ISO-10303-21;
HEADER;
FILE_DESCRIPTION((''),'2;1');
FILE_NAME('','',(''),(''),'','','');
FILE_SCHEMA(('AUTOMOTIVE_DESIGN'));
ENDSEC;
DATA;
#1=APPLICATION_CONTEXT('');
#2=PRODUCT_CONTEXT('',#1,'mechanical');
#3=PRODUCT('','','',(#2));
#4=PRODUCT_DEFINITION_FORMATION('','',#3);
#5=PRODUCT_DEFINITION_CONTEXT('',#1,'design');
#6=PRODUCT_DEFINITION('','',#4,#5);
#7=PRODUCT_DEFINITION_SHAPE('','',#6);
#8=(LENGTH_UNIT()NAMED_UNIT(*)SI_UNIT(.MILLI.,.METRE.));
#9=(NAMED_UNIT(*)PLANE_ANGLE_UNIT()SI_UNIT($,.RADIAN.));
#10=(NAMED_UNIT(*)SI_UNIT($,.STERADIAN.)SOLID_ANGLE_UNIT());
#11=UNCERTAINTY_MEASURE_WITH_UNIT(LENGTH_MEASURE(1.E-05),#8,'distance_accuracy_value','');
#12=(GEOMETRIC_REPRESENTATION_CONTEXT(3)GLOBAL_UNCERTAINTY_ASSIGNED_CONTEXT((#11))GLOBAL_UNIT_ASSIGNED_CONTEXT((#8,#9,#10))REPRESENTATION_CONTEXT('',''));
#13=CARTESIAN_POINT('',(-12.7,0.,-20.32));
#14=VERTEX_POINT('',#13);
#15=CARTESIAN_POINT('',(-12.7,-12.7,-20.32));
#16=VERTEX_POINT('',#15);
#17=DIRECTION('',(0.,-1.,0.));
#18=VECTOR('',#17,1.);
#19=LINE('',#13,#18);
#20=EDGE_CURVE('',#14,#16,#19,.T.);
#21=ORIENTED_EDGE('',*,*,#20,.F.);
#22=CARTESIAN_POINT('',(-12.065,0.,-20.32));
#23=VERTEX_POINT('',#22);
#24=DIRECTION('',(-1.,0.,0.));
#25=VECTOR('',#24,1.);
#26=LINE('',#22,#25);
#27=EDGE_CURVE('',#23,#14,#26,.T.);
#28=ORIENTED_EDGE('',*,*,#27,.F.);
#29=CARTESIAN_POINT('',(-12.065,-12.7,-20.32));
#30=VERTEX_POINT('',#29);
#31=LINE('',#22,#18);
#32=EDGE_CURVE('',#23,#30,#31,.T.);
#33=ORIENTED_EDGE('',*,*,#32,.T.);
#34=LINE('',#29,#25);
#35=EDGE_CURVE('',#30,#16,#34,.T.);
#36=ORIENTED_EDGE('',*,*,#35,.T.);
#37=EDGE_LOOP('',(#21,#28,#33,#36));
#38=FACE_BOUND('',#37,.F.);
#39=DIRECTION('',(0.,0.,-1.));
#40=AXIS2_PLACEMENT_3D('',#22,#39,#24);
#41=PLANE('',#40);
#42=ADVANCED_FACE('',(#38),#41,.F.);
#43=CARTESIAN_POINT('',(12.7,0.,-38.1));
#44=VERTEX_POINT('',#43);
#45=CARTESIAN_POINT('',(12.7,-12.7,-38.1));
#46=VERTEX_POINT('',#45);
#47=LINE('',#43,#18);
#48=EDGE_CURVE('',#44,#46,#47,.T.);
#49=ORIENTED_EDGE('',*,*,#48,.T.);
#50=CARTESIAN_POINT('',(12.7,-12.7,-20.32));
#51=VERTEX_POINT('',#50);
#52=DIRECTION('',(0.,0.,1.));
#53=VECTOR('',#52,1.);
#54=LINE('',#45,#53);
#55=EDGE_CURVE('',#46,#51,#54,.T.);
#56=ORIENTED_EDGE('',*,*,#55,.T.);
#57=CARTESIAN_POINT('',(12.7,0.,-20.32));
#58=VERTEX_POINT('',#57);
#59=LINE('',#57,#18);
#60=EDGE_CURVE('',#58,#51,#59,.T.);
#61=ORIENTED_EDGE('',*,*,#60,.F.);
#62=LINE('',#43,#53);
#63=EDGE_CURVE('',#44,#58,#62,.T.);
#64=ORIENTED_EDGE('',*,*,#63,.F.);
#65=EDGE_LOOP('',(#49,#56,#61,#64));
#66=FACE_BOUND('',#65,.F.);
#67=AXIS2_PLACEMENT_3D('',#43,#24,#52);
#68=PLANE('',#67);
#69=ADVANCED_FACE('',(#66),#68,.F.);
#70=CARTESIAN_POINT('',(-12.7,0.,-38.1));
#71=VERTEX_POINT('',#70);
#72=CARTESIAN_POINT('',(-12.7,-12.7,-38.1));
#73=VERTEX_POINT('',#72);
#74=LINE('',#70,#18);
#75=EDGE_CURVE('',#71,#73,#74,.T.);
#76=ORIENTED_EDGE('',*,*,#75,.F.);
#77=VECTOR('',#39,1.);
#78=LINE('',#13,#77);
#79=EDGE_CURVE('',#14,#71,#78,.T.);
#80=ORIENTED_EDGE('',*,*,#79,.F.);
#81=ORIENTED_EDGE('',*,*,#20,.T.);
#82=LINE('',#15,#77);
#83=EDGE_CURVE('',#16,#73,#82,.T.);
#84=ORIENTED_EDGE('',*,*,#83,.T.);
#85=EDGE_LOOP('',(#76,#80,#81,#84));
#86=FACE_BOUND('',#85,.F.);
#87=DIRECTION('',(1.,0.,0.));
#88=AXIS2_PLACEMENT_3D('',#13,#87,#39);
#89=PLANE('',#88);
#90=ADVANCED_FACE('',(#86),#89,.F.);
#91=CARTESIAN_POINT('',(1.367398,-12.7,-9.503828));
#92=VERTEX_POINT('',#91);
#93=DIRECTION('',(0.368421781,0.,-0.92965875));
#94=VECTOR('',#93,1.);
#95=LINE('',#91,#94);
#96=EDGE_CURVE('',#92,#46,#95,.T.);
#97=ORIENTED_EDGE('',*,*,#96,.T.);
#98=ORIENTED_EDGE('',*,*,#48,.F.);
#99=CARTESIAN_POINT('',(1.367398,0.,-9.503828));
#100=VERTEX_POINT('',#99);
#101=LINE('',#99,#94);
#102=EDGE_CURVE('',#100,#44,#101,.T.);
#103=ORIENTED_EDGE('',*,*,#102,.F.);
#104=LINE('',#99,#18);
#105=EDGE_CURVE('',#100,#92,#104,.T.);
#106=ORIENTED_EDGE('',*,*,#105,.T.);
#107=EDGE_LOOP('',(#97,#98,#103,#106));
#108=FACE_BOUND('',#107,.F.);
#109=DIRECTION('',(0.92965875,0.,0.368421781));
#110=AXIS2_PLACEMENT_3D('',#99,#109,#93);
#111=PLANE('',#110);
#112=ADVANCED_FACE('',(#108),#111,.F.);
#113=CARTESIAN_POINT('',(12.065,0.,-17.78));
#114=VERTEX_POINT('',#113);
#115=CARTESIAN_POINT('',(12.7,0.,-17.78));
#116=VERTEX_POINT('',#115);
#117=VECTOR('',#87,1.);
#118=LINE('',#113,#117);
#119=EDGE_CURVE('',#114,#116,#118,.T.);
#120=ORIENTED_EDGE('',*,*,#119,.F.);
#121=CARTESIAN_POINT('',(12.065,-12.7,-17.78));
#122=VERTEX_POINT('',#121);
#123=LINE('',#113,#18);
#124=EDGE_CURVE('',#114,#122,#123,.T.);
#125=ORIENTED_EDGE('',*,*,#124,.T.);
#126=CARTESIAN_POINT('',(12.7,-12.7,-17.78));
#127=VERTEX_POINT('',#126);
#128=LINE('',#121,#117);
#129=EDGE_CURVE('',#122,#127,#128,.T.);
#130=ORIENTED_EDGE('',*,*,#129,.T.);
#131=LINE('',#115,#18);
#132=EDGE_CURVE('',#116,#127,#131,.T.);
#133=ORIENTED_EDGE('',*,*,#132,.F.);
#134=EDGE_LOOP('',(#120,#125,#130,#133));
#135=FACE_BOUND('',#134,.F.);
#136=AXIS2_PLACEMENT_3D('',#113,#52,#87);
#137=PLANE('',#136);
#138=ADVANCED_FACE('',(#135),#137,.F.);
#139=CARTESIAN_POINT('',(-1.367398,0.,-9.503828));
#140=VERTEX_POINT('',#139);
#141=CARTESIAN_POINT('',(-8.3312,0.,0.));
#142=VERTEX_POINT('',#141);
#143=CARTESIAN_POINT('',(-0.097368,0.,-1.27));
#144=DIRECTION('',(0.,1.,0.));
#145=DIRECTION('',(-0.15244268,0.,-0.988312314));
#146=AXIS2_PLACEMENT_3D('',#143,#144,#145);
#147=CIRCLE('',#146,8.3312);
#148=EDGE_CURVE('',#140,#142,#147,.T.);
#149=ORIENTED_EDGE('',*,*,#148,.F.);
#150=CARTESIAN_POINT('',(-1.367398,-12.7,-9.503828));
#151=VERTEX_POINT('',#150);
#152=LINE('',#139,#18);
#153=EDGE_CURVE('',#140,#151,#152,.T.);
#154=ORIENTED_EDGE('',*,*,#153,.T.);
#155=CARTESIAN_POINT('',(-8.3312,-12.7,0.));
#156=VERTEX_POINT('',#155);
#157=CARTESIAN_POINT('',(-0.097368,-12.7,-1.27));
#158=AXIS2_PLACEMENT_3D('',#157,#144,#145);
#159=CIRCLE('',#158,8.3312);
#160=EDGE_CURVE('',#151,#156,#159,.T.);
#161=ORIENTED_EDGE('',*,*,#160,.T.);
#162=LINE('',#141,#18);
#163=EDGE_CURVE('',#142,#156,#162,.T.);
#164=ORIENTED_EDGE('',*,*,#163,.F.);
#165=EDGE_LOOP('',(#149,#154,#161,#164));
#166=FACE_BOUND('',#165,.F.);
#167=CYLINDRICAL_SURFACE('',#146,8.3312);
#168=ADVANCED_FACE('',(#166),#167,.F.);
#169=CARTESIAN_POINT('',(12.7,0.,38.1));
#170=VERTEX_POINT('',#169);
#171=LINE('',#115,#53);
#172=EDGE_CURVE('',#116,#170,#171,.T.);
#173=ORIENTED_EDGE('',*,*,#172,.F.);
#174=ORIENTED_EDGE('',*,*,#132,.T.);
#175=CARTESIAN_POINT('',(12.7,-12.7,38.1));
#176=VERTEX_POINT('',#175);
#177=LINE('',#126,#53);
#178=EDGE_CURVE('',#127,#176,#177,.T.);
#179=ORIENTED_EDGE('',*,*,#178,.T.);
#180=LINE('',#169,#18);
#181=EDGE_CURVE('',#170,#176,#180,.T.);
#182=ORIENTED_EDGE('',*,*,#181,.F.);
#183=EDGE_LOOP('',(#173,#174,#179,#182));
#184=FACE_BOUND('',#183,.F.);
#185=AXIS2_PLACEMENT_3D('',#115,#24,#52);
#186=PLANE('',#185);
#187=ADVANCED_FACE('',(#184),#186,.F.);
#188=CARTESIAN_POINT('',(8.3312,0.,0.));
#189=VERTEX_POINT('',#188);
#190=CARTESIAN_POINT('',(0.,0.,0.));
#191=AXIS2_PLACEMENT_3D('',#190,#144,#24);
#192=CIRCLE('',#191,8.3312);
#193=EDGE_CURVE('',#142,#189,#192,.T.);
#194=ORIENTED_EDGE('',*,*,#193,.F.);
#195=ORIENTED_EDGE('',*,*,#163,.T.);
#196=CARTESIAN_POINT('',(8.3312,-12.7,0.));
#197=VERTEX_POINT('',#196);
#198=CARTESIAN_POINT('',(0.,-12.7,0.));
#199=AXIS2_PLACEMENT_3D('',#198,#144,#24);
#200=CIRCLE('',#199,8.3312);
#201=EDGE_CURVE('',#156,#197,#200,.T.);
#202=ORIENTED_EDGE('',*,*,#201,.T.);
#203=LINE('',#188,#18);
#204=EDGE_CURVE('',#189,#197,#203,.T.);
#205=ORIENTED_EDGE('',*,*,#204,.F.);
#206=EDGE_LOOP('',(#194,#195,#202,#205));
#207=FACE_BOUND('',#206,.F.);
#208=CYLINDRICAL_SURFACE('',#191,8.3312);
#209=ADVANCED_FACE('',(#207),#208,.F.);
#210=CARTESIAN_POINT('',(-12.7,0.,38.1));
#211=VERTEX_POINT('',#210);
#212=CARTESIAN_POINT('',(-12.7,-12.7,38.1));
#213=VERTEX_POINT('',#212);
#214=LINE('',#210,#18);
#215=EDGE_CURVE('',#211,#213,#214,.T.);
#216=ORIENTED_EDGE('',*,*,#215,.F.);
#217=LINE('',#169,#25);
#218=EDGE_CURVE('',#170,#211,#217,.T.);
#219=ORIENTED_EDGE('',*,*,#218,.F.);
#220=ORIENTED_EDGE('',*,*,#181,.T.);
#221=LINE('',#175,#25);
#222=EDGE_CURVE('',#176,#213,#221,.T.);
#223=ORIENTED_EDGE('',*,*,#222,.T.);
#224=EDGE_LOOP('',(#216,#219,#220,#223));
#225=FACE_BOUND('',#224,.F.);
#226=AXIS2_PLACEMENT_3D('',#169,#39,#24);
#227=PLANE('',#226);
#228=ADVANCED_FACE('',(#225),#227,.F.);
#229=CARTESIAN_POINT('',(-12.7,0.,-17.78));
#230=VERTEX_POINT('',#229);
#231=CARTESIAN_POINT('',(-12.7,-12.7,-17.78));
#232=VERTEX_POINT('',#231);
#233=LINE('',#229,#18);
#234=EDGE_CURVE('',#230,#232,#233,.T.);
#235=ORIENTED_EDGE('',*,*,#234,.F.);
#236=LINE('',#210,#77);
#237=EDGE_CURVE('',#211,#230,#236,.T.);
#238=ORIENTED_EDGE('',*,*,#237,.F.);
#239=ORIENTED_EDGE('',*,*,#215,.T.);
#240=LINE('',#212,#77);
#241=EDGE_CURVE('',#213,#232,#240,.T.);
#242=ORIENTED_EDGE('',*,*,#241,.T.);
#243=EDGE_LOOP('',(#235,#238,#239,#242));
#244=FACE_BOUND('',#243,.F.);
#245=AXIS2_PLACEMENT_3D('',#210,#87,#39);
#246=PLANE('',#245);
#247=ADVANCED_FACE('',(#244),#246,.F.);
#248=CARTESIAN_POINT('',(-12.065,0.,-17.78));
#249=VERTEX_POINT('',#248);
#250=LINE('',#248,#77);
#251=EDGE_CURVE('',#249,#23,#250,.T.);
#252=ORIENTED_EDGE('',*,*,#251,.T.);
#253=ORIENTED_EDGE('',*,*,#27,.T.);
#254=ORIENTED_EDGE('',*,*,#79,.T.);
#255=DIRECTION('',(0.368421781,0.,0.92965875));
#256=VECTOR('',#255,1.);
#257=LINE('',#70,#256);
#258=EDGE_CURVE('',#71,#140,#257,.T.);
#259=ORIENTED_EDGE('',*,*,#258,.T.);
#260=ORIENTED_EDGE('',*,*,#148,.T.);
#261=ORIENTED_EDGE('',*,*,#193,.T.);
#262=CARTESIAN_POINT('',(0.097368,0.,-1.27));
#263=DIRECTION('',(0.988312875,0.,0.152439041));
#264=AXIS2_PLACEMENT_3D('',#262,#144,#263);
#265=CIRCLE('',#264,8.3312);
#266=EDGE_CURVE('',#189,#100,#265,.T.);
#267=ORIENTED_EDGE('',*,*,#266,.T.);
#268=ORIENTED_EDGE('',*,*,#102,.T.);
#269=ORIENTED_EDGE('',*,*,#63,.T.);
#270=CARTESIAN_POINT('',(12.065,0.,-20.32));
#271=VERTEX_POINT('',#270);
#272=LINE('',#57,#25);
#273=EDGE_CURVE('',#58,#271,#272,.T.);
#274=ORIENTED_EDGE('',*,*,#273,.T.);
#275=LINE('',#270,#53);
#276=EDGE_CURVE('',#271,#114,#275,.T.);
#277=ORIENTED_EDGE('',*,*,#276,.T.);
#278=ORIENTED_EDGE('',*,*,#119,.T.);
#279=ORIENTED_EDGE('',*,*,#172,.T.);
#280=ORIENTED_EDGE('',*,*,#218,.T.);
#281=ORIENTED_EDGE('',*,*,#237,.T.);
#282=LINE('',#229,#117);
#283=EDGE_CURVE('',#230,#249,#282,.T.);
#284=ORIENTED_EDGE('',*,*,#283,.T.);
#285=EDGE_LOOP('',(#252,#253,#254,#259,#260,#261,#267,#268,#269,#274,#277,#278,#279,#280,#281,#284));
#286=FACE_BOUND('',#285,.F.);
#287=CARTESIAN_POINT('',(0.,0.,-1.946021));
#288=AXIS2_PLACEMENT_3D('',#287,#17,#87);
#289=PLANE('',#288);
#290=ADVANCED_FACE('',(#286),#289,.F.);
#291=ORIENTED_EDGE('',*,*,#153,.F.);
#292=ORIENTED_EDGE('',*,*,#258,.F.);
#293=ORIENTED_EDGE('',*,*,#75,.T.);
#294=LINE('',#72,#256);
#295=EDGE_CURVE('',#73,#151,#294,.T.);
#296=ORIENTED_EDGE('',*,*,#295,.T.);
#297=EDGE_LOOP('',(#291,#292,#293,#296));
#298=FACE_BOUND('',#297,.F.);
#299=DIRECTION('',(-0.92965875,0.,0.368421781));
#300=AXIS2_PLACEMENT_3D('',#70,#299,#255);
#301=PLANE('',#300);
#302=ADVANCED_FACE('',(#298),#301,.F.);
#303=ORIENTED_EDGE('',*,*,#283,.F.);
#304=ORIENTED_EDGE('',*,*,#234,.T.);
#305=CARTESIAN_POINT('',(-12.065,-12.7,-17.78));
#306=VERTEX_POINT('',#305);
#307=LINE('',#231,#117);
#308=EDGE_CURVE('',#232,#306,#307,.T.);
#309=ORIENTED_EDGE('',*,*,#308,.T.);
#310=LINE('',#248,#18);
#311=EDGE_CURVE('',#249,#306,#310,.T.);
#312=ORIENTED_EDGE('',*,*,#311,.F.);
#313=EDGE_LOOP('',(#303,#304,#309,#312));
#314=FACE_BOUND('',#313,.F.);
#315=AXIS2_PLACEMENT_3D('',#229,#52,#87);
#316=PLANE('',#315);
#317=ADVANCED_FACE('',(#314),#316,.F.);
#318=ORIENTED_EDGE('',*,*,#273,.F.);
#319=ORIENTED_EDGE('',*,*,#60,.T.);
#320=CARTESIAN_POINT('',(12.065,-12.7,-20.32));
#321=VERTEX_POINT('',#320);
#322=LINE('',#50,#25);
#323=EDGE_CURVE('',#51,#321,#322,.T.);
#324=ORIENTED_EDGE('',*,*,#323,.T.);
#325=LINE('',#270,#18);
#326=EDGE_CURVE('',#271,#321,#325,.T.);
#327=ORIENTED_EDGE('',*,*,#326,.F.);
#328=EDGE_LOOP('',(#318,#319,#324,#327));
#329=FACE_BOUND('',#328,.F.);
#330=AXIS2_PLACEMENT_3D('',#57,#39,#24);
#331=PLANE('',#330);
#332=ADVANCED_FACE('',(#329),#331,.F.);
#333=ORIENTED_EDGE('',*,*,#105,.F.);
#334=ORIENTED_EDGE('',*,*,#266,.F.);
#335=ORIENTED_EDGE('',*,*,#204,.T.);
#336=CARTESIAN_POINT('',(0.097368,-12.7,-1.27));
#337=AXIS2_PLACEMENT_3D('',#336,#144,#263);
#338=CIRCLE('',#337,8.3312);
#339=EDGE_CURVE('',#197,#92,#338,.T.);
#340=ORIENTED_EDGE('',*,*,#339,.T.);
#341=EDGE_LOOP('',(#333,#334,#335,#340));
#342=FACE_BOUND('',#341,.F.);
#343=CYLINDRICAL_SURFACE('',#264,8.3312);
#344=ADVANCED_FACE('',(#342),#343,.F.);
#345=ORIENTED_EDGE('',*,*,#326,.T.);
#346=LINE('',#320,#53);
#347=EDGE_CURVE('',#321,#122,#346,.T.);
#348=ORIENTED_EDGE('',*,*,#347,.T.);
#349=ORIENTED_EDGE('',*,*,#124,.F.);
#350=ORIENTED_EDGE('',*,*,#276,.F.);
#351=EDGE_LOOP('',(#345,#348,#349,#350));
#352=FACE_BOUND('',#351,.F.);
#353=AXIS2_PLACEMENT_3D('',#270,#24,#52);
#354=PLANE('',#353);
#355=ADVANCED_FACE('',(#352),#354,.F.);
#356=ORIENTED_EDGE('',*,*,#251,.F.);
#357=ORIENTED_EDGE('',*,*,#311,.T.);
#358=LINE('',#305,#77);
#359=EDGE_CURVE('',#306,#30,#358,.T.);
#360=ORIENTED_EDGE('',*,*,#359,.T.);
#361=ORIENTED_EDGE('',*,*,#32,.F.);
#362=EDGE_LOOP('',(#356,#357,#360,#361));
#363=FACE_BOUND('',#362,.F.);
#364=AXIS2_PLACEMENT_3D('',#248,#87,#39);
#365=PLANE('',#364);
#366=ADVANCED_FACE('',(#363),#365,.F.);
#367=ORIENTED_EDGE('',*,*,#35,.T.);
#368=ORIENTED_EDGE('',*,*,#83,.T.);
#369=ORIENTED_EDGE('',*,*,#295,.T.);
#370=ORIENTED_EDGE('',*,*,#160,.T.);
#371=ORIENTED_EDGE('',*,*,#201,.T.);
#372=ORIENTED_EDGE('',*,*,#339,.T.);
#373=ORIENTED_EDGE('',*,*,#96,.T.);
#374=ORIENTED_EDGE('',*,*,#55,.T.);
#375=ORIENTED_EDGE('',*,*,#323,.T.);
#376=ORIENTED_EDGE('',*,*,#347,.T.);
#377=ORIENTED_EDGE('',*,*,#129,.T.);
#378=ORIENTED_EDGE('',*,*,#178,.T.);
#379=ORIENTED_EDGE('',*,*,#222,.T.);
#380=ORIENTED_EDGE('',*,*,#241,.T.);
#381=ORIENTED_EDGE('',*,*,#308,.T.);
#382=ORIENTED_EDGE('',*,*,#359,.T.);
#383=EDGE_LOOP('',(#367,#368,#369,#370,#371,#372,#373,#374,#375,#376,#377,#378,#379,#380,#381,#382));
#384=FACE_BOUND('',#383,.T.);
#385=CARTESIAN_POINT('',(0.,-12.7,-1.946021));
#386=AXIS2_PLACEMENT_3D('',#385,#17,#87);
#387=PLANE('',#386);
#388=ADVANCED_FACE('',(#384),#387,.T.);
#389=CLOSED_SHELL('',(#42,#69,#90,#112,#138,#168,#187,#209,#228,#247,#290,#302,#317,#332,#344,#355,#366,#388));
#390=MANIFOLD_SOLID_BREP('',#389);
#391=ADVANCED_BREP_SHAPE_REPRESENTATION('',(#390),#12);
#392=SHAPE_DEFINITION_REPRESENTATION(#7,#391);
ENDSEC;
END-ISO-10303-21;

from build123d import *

# Parameters (mm, degrees)
F1_DEPTH = 12.7


with BuildPart() as f1:
    # F0 (on Front) → F1 (new body)
    with BuildSketch(Plane.XZ):
        with BuildLine():
            ThreePointArc((-8.3312, 0), (0, 8.3312), (8.3312, 0))
            ThreePointArc((8.3312, 0), (6.817601, -6.194161), (1.367398, -9.503828))
            Line((1.367398, -9.503828), (12.7, -38.1))
            Line((12.7, -38.1), (12.7, -20.32))
            Line((12.7, -20.32), (12.065, -20.32))
            Line((12.065, -20.32), (12.065, -17.78))
            Line((12.065, -17.78), (12.7, -17.78))
            Line((12.7, -17.78), (12.7, 38.1))
            Line((12.7, 38.1), (-12.7, 38.1))
            Line((-12.7, 38.1), (-12.7, -17.78))
            Line((-12.7, -17.78), (-12.065, -17.78))
            Line((-12.065, -17.78), (-12.065, -20.32))
            Line((-12.065, -20.32), (-12.7, -20.32))
            Line((-12.7, -20.32), (-12.7, -38.1))
            Line((-12.7, -38.1), (-1.367398, -9.503828))
            ThreePointArc((-1.367398, -9.503828), (-6.817601, -6.194161), (-8.3312, 0))
        make_face()
    extrude(amount=F1_DEPTH)


solid = f1.part
